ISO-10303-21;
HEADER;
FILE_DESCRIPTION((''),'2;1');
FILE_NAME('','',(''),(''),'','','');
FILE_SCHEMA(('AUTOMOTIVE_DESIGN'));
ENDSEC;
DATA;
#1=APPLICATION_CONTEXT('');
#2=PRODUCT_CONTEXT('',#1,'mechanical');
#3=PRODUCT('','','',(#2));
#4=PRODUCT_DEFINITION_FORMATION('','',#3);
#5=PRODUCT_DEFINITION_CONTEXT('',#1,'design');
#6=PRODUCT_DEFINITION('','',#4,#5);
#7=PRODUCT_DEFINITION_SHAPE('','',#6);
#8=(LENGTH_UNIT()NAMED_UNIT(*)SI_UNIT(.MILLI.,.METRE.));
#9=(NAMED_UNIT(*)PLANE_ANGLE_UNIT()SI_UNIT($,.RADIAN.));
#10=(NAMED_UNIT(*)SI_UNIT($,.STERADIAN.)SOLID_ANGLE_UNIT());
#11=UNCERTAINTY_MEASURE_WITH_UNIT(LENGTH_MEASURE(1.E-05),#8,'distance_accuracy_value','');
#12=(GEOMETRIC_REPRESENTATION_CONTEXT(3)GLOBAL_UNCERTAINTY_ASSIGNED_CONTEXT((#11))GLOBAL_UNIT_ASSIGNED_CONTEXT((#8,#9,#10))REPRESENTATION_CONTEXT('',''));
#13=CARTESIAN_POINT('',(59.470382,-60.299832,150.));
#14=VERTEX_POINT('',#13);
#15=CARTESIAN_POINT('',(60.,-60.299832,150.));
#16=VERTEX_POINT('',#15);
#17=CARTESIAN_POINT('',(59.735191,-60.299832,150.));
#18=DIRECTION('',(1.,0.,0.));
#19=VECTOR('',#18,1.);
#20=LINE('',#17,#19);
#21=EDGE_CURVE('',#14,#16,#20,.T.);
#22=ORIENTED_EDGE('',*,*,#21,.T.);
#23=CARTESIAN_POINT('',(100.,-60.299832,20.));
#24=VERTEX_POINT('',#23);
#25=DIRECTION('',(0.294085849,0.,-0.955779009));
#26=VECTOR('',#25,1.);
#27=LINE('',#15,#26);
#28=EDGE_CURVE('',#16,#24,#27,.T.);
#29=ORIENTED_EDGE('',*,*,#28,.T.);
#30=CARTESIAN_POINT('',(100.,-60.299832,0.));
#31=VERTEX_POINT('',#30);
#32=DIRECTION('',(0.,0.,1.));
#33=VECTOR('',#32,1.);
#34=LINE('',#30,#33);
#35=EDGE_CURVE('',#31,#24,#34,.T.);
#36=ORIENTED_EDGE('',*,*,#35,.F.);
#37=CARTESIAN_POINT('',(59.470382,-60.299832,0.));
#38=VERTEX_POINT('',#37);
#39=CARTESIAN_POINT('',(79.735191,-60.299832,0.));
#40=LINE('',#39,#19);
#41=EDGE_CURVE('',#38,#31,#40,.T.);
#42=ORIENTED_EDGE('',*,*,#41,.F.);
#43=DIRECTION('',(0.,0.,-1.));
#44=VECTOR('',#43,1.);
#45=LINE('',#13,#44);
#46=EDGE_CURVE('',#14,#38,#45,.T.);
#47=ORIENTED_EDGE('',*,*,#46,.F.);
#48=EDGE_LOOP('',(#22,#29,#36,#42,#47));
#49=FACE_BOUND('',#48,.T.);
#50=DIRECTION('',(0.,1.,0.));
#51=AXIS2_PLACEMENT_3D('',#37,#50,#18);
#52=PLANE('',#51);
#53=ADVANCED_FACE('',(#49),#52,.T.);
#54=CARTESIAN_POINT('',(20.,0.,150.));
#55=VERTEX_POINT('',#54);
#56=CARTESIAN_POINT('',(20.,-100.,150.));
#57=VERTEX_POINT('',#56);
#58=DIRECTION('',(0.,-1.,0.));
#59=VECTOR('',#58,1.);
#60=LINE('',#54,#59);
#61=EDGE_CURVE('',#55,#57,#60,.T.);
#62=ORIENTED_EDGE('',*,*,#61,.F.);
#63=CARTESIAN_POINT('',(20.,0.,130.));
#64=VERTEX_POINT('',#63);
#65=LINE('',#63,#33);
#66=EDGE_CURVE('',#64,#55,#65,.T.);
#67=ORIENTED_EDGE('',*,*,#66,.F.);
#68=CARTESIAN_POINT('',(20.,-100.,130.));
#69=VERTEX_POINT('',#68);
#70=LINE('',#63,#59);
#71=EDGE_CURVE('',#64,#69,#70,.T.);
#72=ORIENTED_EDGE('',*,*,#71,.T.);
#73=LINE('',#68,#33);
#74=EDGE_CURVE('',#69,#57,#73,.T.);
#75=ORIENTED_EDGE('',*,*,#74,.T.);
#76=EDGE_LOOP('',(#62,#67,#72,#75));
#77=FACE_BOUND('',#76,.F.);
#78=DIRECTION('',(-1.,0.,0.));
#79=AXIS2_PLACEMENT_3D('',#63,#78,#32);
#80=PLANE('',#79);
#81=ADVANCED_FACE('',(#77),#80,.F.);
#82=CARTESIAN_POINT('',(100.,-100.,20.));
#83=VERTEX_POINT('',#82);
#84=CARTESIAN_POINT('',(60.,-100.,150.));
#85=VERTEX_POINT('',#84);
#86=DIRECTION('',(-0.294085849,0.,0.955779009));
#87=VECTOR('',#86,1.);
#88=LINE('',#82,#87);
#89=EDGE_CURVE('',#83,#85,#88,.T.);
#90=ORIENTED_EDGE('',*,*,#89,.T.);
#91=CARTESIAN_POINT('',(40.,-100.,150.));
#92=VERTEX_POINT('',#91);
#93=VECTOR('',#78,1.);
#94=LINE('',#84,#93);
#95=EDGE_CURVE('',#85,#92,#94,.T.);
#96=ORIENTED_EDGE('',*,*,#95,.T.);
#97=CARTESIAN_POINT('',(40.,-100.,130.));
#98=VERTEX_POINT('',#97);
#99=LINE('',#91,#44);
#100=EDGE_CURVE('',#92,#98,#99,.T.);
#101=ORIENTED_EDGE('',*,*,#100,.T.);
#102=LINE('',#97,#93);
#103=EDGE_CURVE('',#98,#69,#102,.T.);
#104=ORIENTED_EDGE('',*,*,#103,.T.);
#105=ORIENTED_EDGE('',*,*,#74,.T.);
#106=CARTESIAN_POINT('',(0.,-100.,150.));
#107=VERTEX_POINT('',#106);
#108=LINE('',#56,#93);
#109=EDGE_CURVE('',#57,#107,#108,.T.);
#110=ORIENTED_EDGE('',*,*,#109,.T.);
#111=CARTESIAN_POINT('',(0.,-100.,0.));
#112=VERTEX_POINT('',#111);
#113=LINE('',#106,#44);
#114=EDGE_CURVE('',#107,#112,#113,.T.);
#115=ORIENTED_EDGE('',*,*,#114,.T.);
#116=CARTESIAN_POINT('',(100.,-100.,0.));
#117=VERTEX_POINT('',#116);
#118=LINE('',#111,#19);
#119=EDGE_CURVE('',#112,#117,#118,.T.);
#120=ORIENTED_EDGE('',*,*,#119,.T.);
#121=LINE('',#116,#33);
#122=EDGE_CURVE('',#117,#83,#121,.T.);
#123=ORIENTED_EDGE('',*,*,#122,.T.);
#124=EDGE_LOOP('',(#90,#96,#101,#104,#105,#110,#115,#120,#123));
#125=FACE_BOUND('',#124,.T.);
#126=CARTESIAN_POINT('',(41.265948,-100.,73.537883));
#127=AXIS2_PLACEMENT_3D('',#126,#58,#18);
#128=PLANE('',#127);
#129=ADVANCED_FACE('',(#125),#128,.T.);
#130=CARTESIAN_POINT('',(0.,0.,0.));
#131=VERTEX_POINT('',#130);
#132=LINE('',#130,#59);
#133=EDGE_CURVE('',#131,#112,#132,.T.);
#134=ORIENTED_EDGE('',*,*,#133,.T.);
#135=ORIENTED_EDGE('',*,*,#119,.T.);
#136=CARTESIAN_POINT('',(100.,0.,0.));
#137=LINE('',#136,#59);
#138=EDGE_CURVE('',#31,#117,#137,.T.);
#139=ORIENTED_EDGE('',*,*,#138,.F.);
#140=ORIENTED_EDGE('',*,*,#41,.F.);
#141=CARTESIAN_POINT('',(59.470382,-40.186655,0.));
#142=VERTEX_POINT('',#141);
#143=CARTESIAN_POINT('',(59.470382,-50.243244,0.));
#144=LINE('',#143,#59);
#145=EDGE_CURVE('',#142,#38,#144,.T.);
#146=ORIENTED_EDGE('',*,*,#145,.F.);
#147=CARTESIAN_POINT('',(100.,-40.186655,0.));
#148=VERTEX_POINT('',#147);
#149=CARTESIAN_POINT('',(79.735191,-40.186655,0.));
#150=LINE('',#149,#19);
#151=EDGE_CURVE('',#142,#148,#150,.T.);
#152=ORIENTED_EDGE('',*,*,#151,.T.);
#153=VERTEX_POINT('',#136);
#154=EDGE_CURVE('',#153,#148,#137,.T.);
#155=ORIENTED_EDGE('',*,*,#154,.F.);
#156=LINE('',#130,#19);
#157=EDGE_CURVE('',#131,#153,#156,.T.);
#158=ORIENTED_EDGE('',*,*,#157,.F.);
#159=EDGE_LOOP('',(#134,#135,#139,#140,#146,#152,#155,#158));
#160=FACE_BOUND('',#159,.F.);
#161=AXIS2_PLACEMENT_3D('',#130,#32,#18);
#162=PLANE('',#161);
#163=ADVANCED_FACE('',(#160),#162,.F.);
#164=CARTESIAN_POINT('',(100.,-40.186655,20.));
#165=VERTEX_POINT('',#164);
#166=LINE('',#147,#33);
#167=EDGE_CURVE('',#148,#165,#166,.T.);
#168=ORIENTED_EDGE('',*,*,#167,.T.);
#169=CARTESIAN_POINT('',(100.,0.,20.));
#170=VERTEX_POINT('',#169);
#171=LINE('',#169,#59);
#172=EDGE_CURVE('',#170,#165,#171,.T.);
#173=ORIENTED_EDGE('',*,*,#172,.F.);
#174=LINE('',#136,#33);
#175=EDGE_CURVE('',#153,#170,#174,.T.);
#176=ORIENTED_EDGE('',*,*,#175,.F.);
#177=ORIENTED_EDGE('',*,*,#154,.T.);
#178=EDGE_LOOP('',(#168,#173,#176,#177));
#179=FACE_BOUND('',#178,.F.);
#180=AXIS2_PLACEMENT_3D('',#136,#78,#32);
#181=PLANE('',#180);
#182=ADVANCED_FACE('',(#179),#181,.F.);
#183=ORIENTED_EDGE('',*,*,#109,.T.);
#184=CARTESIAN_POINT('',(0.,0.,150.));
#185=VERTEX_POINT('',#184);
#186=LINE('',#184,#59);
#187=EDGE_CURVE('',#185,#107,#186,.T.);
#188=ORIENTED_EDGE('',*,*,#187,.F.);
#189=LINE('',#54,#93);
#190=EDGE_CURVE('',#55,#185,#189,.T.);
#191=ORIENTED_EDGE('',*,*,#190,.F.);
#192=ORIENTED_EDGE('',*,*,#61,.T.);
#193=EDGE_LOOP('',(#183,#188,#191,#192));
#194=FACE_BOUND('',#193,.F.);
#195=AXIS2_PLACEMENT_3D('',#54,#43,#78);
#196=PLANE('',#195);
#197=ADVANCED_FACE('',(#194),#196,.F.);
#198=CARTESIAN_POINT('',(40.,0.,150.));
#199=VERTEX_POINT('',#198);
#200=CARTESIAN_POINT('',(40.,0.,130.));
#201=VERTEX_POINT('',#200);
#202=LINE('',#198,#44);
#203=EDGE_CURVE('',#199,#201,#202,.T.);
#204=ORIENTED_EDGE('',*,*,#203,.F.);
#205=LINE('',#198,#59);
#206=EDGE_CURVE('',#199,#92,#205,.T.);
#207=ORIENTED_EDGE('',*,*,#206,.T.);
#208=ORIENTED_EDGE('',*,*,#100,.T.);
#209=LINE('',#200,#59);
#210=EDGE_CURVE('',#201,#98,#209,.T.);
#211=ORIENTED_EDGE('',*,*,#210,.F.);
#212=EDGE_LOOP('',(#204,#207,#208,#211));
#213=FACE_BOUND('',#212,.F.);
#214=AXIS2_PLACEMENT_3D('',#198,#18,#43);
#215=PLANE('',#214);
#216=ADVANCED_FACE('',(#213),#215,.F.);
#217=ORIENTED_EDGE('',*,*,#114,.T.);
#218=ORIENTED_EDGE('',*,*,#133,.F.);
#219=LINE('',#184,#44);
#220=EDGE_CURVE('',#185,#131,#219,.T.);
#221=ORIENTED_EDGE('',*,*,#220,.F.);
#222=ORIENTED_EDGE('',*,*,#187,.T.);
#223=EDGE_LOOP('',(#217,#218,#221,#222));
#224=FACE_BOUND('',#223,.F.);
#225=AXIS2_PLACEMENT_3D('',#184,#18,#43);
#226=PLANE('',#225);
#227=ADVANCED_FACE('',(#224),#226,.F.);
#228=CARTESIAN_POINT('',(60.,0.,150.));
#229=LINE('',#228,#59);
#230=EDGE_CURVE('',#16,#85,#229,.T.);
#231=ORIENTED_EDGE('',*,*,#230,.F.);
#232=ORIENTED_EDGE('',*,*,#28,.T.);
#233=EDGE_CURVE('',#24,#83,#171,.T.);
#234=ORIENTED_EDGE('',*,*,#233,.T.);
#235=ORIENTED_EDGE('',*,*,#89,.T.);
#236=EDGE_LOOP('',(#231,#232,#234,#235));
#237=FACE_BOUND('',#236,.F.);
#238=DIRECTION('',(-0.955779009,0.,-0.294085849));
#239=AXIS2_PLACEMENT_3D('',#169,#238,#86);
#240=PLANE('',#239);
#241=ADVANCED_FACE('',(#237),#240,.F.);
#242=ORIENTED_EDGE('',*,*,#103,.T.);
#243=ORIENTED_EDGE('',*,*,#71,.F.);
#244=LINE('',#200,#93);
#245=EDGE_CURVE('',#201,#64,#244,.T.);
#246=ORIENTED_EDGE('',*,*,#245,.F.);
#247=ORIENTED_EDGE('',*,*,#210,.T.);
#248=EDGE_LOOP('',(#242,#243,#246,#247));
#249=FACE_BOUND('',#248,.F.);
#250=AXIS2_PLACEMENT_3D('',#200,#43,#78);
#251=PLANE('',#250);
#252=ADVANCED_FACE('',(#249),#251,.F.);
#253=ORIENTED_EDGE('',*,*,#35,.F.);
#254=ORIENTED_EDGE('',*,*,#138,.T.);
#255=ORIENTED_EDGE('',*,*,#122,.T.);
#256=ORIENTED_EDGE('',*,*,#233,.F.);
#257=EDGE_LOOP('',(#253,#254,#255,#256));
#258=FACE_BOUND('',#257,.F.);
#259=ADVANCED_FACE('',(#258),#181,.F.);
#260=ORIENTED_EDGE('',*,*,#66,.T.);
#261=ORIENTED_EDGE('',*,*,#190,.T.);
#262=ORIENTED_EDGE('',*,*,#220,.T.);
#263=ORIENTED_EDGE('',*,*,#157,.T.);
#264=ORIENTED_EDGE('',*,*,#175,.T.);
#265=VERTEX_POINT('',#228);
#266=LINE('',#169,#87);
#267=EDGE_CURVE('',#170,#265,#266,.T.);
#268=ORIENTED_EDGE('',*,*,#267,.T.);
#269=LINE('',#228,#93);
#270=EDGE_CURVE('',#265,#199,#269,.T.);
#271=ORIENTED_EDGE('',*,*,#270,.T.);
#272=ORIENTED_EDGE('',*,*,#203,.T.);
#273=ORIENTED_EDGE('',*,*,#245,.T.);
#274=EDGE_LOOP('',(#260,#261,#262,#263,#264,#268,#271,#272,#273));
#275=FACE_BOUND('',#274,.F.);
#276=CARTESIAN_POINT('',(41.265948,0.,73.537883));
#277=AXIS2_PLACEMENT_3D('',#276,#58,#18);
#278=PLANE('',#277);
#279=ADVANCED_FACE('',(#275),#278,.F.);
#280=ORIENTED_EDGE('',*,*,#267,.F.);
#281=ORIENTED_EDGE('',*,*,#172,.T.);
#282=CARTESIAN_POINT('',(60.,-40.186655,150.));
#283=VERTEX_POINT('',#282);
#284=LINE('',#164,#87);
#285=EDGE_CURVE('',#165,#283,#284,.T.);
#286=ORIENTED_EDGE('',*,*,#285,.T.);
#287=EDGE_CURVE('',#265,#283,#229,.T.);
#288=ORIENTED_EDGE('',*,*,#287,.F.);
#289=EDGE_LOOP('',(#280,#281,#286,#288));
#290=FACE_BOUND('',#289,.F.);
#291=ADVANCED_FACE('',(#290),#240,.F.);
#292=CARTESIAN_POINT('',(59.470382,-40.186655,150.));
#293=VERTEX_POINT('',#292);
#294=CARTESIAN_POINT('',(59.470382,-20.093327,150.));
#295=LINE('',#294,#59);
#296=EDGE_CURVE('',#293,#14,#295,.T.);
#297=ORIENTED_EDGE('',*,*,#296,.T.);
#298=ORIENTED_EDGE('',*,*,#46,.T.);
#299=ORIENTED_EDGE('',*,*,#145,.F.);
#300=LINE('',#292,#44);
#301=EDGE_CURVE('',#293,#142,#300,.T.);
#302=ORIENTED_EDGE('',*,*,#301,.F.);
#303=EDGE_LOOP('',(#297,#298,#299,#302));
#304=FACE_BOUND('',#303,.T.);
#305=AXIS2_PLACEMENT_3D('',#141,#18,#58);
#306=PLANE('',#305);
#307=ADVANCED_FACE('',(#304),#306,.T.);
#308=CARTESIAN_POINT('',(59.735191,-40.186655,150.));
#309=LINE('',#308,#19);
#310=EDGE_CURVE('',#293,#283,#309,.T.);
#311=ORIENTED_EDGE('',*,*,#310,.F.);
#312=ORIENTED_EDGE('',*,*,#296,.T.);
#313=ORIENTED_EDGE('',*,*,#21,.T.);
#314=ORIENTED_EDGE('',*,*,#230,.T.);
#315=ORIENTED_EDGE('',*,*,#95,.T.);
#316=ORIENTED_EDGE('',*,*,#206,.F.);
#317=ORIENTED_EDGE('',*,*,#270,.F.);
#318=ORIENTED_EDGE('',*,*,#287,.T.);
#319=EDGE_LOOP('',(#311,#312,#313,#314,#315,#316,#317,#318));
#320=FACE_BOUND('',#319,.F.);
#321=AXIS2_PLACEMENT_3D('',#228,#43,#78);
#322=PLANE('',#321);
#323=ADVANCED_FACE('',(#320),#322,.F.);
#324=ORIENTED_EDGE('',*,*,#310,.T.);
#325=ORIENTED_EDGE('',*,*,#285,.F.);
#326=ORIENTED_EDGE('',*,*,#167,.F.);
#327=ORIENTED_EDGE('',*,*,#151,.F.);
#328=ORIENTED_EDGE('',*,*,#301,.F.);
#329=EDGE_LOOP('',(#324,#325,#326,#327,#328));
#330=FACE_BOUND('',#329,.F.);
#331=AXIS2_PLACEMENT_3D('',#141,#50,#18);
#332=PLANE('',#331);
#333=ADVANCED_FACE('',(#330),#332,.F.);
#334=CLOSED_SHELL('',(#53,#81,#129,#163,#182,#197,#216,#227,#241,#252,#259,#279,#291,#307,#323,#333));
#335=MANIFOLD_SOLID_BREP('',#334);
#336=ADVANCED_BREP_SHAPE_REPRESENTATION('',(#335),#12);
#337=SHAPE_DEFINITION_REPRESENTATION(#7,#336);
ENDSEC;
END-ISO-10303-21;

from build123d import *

# Parameters (mm, degrees)
F1_DEPTH = 100
F2_W     = 40.5296184123
F2_H     = 20.1131775975
F3_DEPTH = 100
F4_DEPTH = 100


with BuildPart() as f1:
    # F0 (on Front) → F1 (new body)
    with BuildSketch(Plane.XZ):
        Polygon((0, 150), (0, 0), (100, 0), (100, 20), (60, 150), (40, 150), (40, 130), (20, 130), (20, 150), align=None)
    extrude(amount=F1_DEPTH)

    # F2 (on face) → F3 (cut)
    with BuildSketch(Plane(origin=(0, 0, 0), x_dir=(1, 0, 0), z_dir=(0, 0, -1))):
        with Locations((79.7351907939, 50.2432435751)):
            Rectangle(F2_W, F2_H)
    extrude(amount=-F3_DEPTH, mode=Mode.SUBTRACT)

    # F4 (cut): a face of the model
    f4_faces = [f1.faces().sort_by_distance(p)[0] for p in [
        (67.4274984862, -50.2432435751, 100),
    ]]
    extrude(f4_faces, amount=-F4_DEPTH, mode=Mode.SUBTRACT)


solid = f1.part
